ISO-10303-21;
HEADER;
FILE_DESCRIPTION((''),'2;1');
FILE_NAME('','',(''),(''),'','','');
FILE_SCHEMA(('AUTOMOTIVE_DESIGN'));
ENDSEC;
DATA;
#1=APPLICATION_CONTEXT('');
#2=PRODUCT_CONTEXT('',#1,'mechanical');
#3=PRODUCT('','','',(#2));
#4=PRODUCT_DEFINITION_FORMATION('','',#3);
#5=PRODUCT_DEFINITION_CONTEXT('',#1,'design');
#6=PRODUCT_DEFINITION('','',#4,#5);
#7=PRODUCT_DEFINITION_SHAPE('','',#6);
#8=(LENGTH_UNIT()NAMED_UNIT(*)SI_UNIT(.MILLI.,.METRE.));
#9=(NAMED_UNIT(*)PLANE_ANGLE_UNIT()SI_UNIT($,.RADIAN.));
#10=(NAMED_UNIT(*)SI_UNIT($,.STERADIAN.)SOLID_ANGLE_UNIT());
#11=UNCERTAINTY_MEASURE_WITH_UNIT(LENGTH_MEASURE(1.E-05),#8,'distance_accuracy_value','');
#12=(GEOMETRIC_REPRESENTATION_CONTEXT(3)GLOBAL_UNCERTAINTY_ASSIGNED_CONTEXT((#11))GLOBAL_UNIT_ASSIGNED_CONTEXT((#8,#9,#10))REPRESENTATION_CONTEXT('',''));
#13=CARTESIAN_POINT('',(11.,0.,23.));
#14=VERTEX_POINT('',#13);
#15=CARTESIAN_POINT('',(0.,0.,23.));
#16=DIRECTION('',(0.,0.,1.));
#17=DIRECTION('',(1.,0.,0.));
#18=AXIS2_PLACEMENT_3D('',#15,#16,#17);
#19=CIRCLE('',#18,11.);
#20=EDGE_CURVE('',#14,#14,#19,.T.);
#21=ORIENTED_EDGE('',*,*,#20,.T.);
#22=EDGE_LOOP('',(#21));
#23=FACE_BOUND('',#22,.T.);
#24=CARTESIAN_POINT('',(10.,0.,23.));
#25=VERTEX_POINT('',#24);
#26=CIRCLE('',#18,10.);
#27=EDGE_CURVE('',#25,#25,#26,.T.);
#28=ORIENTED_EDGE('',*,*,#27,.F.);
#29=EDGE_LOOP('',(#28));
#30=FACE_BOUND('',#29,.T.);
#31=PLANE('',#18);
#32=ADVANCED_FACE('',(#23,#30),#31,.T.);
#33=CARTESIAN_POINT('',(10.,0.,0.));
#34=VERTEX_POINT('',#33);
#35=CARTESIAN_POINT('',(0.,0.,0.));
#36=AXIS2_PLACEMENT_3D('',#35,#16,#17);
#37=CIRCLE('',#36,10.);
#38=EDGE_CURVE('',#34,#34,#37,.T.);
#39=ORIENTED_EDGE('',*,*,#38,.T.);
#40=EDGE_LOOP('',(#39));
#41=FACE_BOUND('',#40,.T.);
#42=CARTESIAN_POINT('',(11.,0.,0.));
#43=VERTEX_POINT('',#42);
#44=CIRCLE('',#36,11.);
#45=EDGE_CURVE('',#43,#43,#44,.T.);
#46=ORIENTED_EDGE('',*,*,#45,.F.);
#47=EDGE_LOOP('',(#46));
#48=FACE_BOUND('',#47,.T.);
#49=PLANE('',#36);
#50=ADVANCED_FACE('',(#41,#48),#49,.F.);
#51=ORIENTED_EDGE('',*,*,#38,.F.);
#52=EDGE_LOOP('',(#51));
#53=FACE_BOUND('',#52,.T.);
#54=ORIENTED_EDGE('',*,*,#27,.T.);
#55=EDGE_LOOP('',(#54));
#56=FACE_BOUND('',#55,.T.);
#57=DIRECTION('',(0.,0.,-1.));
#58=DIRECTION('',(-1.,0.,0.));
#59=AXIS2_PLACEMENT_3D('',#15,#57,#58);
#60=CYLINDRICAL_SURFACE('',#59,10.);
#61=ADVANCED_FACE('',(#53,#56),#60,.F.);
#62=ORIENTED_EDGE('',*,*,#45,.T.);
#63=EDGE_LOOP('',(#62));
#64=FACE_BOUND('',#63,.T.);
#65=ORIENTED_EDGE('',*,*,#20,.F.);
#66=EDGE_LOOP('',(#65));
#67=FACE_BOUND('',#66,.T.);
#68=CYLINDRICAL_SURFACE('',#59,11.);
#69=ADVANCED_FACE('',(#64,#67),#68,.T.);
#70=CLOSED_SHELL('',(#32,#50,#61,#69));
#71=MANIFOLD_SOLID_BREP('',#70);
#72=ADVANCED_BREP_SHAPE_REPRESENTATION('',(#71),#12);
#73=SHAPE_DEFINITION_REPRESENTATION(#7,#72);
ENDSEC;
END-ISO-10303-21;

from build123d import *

# Parameters (mm, degrees)
CROQUIS1_R              = 11
CROQUIS1_R_2            = 10
SALIENTE_EXTRUIR1_DEPTH = 23


with BuildPart() as part:
    # Croquis1 → Saliente-Extruir1 (new body)
    with BuildSketch(Plane.XY):
        Circle(CROQUIS1_R)
        Circle(CROQUIS1_R_2, mode=Mode.SUBTRACT)
    extrude(amount=SALIENTE_EXTRUIR1_DEPTH)


solid = part.part
